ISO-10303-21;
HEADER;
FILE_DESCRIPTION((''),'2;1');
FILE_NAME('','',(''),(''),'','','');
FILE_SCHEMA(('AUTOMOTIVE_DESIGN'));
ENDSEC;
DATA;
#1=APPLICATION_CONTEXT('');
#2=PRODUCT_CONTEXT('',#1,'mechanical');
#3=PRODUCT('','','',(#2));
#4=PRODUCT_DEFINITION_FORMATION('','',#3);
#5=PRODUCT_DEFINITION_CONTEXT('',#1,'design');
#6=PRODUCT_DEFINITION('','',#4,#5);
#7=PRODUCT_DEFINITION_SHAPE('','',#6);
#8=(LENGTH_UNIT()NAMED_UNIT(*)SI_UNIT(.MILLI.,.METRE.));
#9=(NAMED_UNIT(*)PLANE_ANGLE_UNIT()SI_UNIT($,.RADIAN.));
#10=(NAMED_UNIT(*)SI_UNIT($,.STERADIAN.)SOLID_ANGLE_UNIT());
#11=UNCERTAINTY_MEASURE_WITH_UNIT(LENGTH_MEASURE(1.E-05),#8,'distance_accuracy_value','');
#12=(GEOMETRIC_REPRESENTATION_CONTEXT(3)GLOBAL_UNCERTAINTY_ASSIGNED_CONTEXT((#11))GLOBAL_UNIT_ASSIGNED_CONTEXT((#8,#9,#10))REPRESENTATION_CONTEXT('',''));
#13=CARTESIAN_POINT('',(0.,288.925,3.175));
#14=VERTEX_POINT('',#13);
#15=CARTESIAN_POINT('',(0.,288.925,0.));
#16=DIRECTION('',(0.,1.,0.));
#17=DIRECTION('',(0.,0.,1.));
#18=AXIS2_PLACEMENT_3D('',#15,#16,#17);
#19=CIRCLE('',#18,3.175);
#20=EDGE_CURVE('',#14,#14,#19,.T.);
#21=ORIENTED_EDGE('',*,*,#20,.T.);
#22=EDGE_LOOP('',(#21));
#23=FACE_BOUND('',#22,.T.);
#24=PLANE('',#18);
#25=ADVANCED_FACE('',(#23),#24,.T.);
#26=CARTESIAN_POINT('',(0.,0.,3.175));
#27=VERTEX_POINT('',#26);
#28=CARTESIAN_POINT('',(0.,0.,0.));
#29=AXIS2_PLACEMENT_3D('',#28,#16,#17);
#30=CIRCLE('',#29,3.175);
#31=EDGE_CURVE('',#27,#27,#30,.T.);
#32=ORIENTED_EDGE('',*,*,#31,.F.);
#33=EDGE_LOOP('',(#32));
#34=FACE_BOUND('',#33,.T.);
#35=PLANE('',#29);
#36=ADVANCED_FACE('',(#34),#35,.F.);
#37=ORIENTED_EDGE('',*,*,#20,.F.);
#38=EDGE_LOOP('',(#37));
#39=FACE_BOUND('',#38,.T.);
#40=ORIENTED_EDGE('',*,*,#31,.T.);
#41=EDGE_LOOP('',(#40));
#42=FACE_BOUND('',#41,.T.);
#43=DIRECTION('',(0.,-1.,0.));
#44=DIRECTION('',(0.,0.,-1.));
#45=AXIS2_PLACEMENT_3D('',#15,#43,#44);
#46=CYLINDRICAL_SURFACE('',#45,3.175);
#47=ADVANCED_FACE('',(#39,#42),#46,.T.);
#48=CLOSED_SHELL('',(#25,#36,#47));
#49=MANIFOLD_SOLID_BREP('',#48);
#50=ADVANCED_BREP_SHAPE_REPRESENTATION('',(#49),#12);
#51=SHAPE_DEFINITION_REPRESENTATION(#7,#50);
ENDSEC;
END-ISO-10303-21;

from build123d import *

# Parameters (mm, degrees)
SKETCH1_R           = 3.175
BOSS_EXTRUDE1_DEPTH = 288.925


with BuildPart() as part:
    # Sketch1 → Boss-Extrude1 (new body)
    with BuildSketch(Plane(origin=(0, 0, 0), x_dir=(1, 0, 0), z_dir=(0, 1, 0))):
        with Locations(Location((0, 0, 0), (0, 0, 270))):
            Circle(SKETCH1_R)
    extrude(amount=BOSS_EXTRUDE1_DEPTH)


solid = part.part
